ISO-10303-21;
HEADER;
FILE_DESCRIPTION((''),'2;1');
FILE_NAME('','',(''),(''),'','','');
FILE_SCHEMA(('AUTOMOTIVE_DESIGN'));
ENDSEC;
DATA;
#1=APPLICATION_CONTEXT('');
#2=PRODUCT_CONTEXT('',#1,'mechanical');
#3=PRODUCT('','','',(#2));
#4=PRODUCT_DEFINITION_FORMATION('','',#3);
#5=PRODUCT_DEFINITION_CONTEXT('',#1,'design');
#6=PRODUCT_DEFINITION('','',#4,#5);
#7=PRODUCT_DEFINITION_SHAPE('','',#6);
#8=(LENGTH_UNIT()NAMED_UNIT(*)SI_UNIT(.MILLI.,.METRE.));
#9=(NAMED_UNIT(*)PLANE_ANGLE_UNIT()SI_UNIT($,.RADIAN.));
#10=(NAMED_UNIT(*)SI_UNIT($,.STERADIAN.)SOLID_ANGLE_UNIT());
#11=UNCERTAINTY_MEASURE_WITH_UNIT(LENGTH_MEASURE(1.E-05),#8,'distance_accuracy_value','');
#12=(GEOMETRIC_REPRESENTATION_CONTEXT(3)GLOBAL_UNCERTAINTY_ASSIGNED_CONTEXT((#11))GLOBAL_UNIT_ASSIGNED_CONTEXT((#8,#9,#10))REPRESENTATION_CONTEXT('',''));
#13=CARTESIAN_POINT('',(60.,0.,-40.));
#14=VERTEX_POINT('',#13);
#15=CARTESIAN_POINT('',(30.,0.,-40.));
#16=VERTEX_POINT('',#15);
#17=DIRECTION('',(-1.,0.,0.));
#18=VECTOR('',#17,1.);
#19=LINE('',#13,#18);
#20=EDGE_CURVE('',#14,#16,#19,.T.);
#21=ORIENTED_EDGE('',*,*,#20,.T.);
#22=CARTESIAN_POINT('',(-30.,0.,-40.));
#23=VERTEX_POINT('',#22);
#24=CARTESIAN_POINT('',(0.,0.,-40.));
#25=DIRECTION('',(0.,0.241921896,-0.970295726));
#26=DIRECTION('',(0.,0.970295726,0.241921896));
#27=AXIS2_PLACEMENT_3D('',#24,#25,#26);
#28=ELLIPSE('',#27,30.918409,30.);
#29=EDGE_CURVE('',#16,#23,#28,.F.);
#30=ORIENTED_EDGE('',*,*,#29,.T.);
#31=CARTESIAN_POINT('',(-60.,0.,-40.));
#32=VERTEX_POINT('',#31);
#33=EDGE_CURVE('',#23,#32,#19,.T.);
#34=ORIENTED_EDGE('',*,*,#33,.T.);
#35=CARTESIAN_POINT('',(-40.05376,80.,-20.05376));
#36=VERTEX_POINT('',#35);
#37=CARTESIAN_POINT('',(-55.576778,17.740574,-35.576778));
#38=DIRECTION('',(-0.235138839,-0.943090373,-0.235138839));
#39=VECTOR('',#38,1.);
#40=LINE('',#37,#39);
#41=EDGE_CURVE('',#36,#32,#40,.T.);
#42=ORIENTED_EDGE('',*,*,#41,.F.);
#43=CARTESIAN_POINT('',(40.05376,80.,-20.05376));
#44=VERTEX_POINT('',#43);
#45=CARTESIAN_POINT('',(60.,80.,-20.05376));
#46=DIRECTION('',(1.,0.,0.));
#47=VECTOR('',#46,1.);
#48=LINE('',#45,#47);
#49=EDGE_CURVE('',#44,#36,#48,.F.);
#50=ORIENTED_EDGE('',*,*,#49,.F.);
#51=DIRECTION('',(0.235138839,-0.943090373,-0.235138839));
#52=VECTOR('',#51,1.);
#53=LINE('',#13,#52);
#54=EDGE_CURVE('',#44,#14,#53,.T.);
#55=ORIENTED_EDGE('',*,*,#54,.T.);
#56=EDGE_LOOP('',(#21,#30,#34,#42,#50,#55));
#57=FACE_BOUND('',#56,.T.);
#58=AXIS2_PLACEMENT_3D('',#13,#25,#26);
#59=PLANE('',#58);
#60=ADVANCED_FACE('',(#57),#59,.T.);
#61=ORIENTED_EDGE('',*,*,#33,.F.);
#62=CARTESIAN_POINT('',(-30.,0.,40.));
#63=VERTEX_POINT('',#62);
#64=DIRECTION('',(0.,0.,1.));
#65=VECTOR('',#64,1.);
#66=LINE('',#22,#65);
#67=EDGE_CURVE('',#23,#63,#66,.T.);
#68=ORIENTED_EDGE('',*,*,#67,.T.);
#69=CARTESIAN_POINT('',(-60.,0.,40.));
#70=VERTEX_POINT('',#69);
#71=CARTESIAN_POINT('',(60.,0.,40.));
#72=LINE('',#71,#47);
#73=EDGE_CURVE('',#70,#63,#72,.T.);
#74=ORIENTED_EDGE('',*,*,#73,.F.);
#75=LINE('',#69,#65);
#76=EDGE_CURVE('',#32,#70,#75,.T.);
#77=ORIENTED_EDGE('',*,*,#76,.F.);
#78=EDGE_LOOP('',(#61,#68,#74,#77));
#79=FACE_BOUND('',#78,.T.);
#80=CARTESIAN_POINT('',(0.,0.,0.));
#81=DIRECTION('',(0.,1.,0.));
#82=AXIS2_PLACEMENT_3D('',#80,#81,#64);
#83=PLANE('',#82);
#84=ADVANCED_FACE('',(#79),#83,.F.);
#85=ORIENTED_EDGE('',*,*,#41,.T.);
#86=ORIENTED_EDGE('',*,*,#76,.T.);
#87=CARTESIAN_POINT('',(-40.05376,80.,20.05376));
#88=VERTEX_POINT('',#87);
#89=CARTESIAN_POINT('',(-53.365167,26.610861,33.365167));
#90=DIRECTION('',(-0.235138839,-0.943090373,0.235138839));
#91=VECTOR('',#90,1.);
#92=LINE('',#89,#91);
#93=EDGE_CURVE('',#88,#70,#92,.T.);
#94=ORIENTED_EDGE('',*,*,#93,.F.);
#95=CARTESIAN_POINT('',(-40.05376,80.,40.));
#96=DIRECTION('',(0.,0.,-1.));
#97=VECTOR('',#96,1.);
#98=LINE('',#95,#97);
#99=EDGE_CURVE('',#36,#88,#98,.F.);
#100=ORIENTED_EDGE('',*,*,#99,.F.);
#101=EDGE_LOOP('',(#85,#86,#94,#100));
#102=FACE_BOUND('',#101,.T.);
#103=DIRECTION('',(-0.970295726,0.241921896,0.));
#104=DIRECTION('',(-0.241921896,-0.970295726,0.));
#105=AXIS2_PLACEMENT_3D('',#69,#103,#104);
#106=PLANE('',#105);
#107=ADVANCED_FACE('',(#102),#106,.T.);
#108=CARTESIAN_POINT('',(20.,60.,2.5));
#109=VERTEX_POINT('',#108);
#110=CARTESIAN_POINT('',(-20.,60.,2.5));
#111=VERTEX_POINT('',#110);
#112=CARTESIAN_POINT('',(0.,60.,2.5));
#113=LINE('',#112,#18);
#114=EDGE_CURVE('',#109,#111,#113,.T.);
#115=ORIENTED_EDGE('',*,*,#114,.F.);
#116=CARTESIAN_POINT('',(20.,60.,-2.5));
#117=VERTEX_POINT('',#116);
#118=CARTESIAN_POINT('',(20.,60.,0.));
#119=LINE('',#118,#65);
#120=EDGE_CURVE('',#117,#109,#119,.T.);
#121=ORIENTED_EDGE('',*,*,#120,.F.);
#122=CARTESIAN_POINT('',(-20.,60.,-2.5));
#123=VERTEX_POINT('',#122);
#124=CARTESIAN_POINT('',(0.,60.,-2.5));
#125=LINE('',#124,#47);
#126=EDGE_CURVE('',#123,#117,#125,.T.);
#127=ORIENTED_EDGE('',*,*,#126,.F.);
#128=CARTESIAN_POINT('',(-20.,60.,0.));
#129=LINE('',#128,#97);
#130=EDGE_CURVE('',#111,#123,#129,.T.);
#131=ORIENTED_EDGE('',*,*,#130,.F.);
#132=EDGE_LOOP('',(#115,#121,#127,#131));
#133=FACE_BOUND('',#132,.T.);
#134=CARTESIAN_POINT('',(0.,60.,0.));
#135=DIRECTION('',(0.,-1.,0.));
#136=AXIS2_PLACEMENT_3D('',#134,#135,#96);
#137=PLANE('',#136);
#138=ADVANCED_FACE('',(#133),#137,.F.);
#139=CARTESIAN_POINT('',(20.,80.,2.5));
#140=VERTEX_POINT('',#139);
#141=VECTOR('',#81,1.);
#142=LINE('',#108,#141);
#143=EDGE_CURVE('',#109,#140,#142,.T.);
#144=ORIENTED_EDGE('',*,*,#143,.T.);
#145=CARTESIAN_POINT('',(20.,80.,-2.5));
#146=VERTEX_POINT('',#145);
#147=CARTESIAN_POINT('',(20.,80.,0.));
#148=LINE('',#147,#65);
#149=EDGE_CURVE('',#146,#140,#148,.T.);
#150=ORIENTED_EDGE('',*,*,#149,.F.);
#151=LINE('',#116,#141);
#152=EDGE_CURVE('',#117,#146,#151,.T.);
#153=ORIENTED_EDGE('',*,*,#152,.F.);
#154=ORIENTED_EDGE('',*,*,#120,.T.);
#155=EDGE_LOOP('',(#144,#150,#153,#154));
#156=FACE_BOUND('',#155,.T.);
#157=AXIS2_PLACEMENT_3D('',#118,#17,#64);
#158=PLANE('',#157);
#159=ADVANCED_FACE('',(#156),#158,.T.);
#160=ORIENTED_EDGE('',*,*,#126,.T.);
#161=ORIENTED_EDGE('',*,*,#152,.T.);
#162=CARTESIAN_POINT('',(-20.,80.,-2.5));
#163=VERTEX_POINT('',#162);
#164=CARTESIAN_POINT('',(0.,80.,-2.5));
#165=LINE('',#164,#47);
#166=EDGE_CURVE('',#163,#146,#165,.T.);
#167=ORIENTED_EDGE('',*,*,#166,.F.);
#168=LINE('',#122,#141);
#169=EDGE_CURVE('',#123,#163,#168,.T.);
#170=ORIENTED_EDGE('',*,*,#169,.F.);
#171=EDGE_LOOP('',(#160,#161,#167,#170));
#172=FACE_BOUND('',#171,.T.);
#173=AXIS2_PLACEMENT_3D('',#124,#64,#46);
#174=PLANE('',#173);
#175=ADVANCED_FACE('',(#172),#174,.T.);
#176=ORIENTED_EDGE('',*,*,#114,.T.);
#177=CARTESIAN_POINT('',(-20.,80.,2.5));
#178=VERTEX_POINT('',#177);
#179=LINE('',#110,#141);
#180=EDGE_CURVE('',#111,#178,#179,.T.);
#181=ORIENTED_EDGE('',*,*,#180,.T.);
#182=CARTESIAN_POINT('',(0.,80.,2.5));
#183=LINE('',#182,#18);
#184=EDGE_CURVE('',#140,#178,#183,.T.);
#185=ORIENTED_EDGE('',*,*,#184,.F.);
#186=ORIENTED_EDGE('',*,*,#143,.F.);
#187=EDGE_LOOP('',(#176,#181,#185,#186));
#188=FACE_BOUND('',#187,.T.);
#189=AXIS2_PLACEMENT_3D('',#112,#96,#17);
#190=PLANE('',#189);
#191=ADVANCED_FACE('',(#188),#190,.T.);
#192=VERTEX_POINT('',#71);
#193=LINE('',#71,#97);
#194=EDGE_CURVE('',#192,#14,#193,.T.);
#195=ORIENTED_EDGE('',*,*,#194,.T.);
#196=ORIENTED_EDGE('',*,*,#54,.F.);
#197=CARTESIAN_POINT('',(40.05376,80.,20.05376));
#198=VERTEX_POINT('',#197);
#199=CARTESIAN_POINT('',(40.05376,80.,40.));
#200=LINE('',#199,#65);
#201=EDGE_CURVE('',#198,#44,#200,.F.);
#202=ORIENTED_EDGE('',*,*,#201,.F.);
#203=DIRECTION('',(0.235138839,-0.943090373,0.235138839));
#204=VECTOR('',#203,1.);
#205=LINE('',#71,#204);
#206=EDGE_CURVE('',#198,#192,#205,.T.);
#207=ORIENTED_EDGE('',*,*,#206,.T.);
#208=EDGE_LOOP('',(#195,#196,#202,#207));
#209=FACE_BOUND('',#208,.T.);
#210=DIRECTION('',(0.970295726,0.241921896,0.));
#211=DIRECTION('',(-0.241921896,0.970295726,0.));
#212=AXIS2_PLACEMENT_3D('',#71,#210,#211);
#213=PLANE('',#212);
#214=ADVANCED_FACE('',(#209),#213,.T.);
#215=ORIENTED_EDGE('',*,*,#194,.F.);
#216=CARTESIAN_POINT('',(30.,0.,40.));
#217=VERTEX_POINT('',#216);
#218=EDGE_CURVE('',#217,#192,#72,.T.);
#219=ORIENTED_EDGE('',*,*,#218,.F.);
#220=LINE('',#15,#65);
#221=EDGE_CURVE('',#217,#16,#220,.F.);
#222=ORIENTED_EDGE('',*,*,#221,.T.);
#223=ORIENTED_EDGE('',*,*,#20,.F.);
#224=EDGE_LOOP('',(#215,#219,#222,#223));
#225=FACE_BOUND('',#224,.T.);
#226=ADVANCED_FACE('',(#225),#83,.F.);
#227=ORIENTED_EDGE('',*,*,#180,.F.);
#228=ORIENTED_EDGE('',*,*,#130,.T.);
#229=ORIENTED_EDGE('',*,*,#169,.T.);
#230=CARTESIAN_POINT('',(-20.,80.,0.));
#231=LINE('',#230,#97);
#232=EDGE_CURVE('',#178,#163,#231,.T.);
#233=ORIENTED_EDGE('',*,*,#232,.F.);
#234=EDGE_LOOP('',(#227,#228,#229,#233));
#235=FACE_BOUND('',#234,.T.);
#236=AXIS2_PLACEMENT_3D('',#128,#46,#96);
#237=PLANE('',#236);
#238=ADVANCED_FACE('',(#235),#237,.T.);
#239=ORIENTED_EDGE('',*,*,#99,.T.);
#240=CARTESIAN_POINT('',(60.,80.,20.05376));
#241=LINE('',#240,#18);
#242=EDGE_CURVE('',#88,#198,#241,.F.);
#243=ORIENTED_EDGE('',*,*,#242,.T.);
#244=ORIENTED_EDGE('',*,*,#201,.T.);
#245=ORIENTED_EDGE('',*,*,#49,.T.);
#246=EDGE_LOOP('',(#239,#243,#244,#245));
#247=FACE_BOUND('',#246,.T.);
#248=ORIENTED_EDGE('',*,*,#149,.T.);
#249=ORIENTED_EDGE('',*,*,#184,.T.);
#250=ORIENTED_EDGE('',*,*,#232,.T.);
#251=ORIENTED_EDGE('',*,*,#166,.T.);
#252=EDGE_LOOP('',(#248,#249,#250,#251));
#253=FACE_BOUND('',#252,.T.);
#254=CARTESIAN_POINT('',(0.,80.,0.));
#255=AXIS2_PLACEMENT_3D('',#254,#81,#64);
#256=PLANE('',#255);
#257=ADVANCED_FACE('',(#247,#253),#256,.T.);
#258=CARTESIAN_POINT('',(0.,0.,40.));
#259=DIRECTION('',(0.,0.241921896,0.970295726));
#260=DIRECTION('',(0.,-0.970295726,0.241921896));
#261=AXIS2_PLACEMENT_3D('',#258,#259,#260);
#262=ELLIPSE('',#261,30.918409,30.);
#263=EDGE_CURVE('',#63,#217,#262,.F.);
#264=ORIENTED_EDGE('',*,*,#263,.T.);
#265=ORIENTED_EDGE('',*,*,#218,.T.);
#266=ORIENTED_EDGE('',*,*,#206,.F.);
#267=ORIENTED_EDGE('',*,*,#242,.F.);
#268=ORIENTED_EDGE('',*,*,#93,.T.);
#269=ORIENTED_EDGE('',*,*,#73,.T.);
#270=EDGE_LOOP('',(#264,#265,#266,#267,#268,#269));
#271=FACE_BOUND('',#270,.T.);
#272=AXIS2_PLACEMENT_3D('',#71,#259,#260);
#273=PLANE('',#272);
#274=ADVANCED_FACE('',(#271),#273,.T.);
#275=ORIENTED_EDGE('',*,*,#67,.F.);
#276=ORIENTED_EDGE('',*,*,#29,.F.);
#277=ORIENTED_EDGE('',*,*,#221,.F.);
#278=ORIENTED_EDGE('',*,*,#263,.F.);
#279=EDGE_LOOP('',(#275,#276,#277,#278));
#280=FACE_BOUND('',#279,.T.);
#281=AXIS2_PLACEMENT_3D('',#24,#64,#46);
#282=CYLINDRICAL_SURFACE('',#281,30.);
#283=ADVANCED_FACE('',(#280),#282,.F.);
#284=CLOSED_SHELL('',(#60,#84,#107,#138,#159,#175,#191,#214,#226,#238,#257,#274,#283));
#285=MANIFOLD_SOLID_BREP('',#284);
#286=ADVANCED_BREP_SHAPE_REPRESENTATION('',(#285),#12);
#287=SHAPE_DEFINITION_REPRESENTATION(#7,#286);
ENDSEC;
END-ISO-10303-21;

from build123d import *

# Parameters (mm, degrees)
SKETCH_11_W              = 120
SKETCH_11_H              = 80
EXTRUDE_3_DEPTH          = 80
EXTRUDE_3_TAPER          = 14
CUT_EXTRUDE_START        = 80
SKETCH_12_W              = 40
SKETCH_12_H              = 5
CUT_EXTRUDE_1_DEPTH      = 20
CUT_EXTRUDE_2_DEPTH      = 108.70329631
CUT_EXTRUDE_2_DEPTH_BACK = 108.70329631
SKETCH_13_R              = 30


with BuildPart() as part:
    # 스케치11 → 보스-돌출3 (new body)
    with BuildSketch(Plane(origin=(0, 0, 0), x_dir=(1, 0, 0), z_dir=(0, 1, 0))):
        Rectangle(SKETCH_11_W, SKETCH_11_H)
    extrude(amount=EXTRUDE_3_DEPTH, taper=EXTRUDE_3_TAPER)

    # 스케치12 → 컷-돌출1 (cut)
    with BuildSketch(Plane(origin=(0, 0, 0), x_dir=(1, 0, 0), z_dir=(0, 1, 0)).offset(CUT_EXTRUDE_START)):
        Rectangle(SKETCH_12_W, SKETCH_12_H)
    extrude(amount=-CUT_EXTRUDE_1_DEPTH, mode=Mode.SUBTRACT)

    # 스케치13 → 컷-돌출2 (cut, two sides: drawn at the far end of the back side and taken through both)
    with BuildSketch(Plane.XY.offset(-CUT_EXTRUDE_2_DEPTH_BACK)):
        Circle(SKETCH_13_R)
    extrude(amount=CUT_EXTRUDE_2_DEPTH + CUT_EXTRUDE_2_DEPTH_BACK, mode=Mode.SUBTRACT)


solid = part.part
